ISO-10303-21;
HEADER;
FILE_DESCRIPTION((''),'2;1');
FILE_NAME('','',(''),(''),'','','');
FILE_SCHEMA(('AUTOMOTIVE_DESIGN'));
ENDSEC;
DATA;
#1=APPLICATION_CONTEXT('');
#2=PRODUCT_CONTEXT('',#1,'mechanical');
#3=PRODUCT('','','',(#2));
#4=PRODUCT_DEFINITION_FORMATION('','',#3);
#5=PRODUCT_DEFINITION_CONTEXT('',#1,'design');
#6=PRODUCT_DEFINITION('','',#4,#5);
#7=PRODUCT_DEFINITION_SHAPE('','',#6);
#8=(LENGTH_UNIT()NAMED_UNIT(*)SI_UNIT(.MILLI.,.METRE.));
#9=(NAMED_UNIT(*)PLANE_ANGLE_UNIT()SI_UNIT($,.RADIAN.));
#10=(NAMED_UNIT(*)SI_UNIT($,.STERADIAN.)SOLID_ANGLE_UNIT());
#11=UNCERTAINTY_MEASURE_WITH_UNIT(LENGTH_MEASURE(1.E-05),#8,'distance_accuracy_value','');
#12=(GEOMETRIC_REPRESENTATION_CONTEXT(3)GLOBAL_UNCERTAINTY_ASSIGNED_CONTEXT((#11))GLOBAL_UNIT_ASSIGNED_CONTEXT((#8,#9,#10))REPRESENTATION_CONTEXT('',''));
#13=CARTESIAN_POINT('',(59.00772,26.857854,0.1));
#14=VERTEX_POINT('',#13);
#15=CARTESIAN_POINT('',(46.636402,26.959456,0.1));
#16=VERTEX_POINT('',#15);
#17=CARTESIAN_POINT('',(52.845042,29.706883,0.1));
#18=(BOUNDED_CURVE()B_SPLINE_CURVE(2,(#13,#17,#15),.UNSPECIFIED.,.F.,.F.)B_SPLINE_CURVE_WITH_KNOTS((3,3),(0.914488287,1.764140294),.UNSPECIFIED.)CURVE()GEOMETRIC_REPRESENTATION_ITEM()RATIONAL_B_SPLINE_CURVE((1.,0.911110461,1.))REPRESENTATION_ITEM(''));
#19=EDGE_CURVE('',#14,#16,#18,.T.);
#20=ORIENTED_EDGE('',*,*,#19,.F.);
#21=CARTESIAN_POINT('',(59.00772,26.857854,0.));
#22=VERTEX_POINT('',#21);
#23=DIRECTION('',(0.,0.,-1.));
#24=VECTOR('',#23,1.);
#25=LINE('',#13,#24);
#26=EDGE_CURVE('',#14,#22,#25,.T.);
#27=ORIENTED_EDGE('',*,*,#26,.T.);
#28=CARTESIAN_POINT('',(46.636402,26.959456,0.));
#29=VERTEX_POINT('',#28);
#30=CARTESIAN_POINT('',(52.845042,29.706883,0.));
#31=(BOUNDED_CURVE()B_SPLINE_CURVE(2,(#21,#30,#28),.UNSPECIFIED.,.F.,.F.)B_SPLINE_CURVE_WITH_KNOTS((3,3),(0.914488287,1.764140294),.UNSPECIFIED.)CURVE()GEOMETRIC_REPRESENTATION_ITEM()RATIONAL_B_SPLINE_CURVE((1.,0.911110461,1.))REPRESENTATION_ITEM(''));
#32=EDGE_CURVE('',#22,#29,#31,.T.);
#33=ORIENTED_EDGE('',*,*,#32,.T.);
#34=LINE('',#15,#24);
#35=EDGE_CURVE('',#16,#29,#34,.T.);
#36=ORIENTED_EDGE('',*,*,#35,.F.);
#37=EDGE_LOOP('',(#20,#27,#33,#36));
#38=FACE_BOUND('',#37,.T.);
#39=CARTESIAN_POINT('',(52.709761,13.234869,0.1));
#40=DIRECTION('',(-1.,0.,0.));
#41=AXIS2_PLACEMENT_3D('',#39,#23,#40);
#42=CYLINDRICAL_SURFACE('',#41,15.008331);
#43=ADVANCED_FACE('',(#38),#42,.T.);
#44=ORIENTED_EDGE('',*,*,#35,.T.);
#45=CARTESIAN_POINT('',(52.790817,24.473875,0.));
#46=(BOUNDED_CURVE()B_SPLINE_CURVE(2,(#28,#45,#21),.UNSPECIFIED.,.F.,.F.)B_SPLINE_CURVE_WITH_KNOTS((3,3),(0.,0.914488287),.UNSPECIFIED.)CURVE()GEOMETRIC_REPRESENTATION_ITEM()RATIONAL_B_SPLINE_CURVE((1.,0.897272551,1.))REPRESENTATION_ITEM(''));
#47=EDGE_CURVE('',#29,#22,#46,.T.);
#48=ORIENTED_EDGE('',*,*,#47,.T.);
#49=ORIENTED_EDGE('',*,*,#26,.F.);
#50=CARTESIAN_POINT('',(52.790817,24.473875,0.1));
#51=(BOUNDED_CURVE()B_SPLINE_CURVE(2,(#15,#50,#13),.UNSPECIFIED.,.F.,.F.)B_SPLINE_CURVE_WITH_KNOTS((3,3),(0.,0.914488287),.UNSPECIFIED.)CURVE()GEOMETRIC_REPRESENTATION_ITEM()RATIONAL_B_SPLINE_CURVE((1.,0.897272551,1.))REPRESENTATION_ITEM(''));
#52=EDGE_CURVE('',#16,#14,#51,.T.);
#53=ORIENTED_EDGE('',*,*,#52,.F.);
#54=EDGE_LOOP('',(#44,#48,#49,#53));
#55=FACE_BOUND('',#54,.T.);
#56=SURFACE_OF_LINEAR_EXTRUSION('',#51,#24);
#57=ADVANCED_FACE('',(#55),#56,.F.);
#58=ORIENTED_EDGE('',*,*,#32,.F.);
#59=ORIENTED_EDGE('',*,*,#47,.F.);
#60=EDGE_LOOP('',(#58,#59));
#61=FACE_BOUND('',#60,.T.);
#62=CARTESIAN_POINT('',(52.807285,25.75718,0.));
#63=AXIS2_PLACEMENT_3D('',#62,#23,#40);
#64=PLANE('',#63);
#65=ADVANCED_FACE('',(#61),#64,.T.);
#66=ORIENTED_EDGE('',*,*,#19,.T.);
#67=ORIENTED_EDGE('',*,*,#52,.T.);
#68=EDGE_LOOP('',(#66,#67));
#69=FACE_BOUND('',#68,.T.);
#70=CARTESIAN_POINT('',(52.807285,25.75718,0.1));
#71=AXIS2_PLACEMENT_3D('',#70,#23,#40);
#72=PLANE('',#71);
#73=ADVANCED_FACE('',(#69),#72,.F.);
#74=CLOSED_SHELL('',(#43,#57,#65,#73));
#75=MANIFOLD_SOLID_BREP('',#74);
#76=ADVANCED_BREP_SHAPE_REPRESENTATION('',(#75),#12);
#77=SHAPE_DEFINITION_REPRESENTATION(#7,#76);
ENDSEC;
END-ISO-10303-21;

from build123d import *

# Parameters (mm, degrees)
SALIENTE_EXTRUIR1_DEPTH = 0.1


with BuildPart() as part:
    # Model → Saliente-Extruir1 (new body)
    with BuildSketch(Plane.XY):
        with BuildLine():
            add(Edge.make_bspline(
                [(59.007719811, 26.857853749), (52.845041947, 29.706883402), (46.636401811, 26.959456226)],
                knots=[0.914488287, 0.914488287, 0.914488287, 1.764140294, 1.764140294, 1.764140294], degree=2, weights=[1, 0.911110461, 1]))
            add(Edge.make_bspline(
                [(46.636401811, 26.959456226), (52.790816709, 24.473875165), (59.007719811, 26.857853749)],
                knots=[0, 0, 0, 0.914488287, 0.914488287, 0.914488287], degree=2, weights=[1, 0.897272551, 1]))
        make_face()
    extrude(amount=SALIENTE_EXTRUIR1_DEPTH)


solid = part.part
